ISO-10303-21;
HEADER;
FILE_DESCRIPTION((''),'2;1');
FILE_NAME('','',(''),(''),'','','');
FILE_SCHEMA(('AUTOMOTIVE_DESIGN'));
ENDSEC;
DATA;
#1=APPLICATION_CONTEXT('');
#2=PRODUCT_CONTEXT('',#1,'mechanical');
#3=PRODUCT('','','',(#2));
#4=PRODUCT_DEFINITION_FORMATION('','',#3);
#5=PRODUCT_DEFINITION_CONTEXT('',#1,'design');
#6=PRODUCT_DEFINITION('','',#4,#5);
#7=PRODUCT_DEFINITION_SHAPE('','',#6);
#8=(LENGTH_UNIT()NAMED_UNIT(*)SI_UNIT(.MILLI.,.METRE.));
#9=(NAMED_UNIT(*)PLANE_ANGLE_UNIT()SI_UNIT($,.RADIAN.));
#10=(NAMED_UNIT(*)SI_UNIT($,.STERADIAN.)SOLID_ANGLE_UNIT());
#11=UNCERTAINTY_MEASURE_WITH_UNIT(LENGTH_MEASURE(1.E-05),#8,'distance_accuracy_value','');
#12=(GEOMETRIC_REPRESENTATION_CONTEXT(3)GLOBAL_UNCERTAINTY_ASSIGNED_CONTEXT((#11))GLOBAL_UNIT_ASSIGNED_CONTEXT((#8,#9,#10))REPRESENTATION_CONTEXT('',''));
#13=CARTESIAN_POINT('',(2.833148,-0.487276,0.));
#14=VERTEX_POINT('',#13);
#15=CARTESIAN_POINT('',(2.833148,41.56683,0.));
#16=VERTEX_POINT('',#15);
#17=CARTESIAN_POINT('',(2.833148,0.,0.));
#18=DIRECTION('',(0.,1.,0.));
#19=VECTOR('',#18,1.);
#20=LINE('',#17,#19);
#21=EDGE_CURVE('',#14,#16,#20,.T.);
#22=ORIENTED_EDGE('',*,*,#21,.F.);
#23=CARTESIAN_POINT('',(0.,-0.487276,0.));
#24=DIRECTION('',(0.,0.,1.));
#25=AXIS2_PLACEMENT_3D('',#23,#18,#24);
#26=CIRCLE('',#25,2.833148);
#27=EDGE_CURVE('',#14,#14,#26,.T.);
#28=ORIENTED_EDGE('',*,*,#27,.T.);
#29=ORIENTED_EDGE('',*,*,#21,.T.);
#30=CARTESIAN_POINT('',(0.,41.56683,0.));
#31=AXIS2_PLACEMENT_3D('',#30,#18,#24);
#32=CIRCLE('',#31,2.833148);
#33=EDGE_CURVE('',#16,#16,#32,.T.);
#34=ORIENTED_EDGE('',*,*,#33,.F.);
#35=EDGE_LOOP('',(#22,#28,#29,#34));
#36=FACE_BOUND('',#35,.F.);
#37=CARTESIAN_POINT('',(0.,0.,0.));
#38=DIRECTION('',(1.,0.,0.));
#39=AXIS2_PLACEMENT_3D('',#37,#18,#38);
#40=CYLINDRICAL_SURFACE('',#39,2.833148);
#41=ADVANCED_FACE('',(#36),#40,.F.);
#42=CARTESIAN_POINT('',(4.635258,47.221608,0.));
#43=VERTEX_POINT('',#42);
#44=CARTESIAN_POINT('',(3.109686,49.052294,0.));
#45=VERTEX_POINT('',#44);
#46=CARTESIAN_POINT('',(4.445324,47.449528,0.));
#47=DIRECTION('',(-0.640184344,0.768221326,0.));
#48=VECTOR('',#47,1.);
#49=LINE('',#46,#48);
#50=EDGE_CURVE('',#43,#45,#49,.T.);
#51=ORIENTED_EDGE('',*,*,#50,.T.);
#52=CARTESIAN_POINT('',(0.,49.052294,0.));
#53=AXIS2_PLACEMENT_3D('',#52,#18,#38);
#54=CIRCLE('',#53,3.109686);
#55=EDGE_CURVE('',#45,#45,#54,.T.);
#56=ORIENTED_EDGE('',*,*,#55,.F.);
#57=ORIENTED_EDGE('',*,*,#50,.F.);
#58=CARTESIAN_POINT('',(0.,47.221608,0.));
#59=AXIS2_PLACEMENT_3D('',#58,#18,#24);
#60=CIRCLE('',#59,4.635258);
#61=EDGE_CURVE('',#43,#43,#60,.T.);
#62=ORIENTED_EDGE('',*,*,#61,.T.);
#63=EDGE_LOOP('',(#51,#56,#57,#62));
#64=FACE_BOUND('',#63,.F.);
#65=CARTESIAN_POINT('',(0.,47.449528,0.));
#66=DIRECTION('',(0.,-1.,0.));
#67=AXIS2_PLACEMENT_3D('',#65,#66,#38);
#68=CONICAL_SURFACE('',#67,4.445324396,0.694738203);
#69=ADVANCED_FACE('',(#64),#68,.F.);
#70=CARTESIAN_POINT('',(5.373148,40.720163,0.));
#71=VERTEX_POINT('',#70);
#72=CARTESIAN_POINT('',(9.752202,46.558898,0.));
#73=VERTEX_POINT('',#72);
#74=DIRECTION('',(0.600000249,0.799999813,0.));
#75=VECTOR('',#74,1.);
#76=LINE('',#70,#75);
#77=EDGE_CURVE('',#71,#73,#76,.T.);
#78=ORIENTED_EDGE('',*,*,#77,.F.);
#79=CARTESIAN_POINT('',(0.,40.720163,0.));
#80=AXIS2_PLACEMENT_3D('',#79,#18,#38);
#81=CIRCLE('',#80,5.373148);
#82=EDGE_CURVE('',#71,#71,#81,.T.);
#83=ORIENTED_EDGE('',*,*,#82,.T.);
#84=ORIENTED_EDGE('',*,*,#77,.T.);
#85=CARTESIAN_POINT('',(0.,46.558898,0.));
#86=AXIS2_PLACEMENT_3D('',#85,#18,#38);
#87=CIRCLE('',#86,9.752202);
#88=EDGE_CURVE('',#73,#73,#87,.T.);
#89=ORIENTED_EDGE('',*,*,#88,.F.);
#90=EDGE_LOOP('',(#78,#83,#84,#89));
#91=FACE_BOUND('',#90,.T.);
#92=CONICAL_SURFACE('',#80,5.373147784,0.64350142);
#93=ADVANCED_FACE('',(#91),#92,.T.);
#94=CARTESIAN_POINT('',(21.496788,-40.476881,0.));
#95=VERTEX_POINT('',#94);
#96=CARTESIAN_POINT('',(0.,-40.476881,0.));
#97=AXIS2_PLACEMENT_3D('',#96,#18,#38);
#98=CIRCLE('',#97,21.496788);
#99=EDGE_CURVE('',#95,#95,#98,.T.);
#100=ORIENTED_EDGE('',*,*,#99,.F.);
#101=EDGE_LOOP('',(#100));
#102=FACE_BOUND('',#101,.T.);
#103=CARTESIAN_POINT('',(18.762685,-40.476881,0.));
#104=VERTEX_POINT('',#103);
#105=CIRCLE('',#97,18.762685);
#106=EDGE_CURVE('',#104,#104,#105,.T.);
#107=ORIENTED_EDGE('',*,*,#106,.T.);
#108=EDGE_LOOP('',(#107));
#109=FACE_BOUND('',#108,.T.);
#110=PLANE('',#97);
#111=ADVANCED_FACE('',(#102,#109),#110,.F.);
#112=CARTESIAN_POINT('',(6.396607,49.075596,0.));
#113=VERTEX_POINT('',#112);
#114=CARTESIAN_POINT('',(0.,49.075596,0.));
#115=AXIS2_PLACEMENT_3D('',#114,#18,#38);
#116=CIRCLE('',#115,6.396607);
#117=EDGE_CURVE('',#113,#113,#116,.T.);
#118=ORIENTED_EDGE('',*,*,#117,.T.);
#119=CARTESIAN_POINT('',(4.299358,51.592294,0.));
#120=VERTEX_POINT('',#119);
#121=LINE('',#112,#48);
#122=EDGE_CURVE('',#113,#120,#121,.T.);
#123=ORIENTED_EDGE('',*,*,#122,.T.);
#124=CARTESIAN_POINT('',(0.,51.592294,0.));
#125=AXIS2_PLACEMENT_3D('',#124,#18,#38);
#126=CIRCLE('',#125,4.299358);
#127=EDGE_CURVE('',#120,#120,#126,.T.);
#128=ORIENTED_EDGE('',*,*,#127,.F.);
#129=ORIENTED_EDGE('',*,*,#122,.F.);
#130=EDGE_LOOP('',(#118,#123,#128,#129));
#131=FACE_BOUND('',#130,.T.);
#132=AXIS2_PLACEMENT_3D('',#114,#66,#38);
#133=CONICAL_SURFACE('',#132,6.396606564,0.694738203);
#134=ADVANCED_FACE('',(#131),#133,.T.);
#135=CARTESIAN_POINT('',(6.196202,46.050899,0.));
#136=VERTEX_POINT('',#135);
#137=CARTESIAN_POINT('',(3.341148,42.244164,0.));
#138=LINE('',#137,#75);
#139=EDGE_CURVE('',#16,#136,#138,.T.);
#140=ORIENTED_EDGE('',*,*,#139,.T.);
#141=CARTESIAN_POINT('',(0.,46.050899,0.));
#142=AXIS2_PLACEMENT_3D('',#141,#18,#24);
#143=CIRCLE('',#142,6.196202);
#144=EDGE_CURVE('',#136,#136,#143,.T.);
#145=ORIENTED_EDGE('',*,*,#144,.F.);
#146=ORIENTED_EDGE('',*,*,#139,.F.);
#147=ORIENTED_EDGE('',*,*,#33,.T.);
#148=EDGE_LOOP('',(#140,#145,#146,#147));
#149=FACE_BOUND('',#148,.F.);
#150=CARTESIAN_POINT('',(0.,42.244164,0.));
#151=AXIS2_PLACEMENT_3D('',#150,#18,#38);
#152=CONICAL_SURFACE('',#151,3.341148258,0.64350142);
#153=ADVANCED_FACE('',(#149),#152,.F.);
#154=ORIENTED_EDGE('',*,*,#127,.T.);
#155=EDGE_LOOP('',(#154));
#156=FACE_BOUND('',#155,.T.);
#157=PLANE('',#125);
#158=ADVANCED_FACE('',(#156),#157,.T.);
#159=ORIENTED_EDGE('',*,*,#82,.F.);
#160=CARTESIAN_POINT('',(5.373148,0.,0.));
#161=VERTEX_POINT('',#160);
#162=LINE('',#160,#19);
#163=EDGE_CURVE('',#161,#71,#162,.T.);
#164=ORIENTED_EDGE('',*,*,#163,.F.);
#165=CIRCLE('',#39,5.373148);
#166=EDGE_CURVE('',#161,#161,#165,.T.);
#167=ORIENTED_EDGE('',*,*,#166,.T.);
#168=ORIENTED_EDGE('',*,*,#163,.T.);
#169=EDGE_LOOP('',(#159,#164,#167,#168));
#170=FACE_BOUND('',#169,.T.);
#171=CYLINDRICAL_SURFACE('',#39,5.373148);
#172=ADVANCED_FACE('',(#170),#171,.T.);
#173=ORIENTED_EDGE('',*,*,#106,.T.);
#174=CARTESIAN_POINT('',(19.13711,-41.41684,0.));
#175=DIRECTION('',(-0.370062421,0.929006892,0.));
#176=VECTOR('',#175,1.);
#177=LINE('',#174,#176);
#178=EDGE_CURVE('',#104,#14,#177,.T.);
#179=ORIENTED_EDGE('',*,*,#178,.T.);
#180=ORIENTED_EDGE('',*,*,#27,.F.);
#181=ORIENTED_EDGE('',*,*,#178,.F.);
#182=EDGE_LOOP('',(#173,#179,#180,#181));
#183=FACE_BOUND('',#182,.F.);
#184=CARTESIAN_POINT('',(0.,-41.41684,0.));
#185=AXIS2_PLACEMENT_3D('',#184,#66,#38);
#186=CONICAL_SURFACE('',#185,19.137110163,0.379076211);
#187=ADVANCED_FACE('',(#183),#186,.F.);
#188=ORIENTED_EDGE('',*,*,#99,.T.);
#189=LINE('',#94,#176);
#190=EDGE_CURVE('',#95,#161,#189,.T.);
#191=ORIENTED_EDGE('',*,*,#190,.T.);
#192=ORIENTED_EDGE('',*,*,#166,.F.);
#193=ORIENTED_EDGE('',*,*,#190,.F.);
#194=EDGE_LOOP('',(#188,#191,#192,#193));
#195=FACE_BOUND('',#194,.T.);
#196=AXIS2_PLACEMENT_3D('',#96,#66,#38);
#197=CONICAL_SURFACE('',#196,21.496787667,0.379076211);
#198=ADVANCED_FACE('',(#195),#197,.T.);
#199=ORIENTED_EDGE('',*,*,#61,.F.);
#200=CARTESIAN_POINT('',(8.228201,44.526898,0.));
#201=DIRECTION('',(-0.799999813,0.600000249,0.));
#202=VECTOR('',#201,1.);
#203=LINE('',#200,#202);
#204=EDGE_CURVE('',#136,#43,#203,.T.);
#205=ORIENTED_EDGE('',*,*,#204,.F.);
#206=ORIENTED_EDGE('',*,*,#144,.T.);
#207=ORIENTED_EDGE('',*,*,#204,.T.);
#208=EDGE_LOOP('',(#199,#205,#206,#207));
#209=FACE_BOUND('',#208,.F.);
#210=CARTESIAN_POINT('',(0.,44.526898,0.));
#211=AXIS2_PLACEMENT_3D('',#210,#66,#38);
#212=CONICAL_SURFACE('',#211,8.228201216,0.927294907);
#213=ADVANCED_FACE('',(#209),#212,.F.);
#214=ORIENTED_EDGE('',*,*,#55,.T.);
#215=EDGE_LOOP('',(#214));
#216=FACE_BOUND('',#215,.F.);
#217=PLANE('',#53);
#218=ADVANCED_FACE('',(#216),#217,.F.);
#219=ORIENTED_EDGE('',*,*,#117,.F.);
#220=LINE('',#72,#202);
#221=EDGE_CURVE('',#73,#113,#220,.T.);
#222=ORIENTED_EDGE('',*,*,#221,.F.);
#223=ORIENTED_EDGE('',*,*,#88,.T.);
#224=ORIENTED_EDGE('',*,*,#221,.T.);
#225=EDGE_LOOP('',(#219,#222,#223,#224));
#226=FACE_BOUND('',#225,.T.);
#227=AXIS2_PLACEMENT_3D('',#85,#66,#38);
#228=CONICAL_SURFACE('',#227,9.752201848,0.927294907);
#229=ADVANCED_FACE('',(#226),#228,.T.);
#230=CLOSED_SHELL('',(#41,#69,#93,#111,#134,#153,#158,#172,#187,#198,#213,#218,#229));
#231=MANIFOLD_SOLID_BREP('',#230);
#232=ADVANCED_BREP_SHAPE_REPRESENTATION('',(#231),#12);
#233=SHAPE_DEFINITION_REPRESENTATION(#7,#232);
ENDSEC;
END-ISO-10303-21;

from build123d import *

# Parameters (mm, degrees)
F2_T = -2.54


with BuildPart() as f1:
    # F0 (on Top) → F1 (revolve)
    with BuildSketch(Plane.XY):
        Polygon((4.2993584648, 51.5922941267), (0, 51.5922941267), (0, -40.4768809676), (21.4967876673, -40.4768809676), (5.3731477842, 0), (5.3731477842, 40.7201629721), (9.7522018477, 46.5588979423), (6.3966065645, 49.0755960345), align=None)
    revolve(axis=Axis((0, 5.5577065796, 0), (0, 1, 0)))

    # F2
    f2_openings = [f1.faces().sort_by_distance(p)[0] for p in [
        (0, -40.476881, 0),
    ]]
    offset(amount=F2_T, openings=f2_openings, kind=Kind.INTERSECTION)


solid = f1.part
